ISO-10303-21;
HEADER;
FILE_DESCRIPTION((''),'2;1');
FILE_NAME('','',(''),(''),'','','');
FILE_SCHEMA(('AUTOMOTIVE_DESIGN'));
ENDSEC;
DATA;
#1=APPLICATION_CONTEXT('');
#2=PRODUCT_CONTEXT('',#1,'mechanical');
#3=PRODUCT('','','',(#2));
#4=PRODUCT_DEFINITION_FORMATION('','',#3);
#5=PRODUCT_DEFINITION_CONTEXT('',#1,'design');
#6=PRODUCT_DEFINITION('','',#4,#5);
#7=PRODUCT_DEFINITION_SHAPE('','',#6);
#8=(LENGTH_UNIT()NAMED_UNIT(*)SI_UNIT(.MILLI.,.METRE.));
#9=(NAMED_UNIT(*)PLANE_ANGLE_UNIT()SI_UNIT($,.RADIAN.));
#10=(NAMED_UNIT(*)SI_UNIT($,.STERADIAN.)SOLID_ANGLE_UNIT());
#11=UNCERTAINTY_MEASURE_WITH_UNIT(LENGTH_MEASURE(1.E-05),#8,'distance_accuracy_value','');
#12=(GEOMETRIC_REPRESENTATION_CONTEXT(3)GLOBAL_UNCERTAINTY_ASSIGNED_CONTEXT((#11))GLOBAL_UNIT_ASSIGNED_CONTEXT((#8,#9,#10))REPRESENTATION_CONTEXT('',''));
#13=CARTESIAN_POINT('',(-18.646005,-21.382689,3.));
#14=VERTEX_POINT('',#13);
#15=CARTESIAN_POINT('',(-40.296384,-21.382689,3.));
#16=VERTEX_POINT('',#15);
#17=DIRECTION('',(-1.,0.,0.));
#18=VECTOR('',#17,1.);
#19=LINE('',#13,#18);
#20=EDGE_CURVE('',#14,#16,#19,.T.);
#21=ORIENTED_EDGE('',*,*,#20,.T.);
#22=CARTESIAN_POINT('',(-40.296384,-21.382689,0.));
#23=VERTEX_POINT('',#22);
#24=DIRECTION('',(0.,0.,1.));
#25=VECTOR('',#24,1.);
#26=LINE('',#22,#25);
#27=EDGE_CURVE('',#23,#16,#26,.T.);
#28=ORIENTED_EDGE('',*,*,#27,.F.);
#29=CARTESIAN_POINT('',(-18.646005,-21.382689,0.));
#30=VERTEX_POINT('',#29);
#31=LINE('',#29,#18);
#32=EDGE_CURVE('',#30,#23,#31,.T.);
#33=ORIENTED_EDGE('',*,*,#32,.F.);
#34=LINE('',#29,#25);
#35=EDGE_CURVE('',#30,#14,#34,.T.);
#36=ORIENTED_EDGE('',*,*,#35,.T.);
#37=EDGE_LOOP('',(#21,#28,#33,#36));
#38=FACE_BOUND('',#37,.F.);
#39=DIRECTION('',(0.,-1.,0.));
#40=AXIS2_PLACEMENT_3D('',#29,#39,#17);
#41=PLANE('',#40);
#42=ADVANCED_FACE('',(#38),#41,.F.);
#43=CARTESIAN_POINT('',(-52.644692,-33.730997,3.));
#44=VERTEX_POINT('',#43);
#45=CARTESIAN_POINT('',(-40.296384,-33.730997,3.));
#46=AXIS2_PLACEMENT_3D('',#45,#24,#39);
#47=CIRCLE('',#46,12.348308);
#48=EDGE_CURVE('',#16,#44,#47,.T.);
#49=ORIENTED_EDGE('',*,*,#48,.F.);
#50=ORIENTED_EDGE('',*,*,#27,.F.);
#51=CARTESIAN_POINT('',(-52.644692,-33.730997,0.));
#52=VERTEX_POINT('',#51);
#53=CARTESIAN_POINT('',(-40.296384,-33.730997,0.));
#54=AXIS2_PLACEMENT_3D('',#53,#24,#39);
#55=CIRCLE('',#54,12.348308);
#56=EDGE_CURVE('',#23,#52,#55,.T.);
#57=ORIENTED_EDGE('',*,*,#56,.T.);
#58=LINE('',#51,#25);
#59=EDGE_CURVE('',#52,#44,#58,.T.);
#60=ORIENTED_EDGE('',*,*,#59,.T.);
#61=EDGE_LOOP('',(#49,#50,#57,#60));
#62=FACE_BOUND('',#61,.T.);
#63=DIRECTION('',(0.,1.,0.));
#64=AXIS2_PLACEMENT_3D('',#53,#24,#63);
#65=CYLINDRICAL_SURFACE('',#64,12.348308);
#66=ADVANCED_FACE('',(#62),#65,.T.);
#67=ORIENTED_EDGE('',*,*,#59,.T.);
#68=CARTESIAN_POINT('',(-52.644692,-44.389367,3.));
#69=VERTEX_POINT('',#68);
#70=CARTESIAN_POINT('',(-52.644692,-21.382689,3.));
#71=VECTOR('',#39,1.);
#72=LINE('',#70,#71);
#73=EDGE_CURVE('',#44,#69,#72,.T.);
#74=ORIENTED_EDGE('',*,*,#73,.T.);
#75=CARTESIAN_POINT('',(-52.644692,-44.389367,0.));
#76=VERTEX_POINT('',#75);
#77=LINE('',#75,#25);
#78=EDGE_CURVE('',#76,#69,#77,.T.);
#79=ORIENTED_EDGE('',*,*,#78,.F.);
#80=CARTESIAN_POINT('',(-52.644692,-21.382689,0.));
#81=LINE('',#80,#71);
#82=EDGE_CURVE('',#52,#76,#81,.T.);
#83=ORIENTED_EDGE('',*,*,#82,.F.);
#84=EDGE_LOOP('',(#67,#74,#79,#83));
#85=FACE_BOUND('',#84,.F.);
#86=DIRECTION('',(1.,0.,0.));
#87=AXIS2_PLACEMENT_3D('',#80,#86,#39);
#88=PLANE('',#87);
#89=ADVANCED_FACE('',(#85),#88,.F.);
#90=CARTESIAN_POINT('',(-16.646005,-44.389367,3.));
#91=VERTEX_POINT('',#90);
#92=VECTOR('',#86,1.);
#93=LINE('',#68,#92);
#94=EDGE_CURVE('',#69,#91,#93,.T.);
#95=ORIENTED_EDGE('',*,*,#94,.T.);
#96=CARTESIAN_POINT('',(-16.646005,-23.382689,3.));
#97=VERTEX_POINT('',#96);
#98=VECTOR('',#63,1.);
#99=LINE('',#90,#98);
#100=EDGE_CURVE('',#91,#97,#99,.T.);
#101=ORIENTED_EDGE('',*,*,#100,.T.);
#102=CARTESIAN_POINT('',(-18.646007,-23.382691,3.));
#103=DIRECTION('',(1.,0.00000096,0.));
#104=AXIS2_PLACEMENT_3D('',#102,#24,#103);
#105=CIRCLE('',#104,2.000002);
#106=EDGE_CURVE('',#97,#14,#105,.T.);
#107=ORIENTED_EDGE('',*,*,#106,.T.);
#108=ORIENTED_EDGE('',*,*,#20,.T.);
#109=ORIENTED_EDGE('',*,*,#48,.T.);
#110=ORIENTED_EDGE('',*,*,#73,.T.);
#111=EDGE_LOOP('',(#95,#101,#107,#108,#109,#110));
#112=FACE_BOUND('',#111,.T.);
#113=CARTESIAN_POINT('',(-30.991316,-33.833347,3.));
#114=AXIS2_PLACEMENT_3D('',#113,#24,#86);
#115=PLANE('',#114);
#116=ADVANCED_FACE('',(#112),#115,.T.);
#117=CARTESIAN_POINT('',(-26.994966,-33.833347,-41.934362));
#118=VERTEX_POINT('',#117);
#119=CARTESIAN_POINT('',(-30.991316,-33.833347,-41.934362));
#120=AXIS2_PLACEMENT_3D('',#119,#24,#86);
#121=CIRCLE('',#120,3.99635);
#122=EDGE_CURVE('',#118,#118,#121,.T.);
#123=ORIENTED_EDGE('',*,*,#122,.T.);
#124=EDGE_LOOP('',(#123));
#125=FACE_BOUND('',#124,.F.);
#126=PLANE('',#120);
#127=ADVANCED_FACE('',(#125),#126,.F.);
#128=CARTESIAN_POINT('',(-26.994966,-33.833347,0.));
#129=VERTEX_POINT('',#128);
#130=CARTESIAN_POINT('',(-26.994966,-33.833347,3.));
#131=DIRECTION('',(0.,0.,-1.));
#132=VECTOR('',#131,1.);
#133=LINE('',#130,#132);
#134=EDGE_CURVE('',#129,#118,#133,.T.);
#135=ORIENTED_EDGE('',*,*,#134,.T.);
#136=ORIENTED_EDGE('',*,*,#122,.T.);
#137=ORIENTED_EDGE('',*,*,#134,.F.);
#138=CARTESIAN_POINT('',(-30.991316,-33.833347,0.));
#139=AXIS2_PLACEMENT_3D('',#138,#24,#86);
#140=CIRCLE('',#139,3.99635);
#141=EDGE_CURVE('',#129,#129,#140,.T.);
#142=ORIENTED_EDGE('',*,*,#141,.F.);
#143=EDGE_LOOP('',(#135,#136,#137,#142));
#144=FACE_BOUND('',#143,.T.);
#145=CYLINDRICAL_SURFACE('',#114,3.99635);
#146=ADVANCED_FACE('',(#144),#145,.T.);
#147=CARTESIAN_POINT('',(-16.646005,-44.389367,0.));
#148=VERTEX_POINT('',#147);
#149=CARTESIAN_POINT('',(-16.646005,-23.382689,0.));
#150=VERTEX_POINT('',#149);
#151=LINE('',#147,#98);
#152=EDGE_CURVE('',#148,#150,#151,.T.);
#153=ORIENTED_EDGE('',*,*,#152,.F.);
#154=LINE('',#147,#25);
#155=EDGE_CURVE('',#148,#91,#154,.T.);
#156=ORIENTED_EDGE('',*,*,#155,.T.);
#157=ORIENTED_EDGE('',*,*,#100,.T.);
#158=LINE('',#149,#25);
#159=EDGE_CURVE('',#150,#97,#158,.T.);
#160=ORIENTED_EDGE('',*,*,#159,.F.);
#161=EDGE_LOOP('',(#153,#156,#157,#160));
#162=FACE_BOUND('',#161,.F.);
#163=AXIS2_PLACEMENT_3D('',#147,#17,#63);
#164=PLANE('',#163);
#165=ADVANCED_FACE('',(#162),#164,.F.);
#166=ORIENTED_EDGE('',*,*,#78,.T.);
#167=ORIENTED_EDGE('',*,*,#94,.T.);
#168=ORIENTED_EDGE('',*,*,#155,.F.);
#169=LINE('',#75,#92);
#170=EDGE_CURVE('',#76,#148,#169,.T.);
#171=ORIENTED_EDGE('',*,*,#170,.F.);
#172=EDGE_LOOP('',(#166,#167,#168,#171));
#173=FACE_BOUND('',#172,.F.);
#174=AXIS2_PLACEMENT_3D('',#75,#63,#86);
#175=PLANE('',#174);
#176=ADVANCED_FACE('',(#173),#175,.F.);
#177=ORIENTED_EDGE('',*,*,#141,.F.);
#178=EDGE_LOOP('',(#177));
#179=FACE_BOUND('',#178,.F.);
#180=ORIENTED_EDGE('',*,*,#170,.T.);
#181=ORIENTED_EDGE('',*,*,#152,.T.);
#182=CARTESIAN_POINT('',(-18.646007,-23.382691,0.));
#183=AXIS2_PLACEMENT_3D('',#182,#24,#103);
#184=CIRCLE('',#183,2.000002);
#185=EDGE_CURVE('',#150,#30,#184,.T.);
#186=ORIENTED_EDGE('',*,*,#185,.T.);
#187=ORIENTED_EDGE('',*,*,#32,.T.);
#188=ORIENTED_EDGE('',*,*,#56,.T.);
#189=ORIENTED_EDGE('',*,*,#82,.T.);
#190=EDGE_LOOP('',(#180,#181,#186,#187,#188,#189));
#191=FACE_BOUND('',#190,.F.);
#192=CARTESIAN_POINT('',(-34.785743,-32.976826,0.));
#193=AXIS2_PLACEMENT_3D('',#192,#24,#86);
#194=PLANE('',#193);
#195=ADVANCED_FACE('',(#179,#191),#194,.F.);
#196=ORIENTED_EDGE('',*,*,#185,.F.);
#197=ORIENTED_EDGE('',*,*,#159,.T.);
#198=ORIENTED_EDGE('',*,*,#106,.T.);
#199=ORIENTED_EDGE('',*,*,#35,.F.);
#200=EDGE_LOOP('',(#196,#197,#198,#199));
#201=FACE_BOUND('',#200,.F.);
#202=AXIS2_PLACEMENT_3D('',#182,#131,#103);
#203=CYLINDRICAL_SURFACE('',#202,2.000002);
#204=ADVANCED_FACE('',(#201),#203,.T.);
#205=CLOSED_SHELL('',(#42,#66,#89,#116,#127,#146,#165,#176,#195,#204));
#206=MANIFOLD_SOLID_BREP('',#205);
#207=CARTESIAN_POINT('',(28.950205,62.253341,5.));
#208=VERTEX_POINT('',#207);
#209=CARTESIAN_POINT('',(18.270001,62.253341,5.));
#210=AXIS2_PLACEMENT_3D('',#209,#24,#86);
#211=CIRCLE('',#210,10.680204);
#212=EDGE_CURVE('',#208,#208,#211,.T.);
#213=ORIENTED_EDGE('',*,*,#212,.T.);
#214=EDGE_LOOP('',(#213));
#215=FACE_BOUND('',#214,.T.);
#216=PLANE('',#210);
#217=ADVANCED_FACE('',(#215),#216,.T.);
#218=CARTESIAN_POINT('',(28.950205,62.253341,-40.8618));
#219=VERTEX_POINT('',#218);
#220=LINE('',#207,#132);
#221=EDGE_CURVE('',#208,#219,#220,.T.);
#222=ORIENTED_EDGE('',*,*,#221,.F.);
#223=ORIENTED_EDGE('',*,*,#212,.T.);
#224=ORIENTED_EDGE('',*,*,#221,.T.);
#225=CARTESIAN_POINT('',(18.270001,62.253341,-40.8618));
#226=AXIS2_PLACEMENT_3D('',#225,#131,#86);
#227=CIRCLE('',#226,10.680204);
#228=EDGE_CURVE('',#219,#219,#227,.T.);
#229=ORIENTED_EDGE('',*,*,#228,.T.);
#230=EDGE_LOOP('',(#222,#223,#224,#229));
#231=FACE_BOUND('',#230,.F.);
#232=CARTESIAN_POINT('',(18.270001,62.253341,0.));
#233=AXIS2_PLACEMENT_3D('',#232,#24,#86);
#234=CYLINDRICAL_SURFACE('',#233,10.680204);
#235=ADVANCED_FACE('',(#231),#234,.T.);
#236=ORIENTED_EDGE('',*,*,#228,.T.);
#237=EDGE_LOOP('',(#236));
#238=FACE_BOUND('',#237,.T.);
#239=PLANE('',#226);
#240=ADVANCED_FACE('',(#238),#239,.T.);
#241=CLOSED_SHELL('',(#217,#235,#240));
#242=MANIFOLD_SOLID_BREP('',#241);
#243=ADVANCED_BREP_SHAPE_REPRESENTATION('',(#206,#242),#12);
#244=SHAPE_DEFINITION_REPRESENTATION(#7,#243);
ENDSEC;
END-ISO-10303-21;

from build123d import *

# Parameters (mm, degrees)
F0_R      = 10.680204
F1_DEPTH  = 5
F3_DEPTH  = 3
F4_R      = 12.348308
F5_R      = 3.99635
F6_DEPTH  = 44.934362
F1_FACE_R = 10.680204
F7_DEPTH  = 40.8618


with BuildPart() as f1:
    # F0 (on Top) → F1 (new body)
    with BuildSketch(Plane.XY):
        with Locations((18.270001, 62.253341)):
            Circle(F0_R)
    extrude(amount=F1_DEPTH)

    # F1_face (on face) → F7 (join)
    with BuildSketch(Plane(origin=(18.270001, 62.253341, 0), x_dir=(1, 0, 0), z_dir=(0, 0, -1))):
        Circle(F1_FACE_R)
    extrude(amount=F7_DEPTH)


with BuildPart() as f3:
    # F2 (on Top) → F3 (new body)
    with BuildSketch(Plane.XY):
        with BuildLine():
            ThreePointArc((-16.646005, -23.382689), (-17.231792, -21.968476), (-18.646005, -21.382689))
            Line((-18.646005, -21.382689), (-52.644692, -21.382689))
            Line((-52.644692, -21.382689), (-52.644692, -44.389367))
            Line((-52.644692, -44.389367), (-16.646005, -44.389367))
            Line((-16.646005, -44.389367), (-16.646005, -23.382689))
        make_face()
    extrude(amount=F3_DEPTH)

    # F4
    f4_edges = [f3.edges().sort_by_distance(p)[0] for p in [
        (-52.644692, -21.382689, 1.5),
    ]]
    fillet(f4_edges, radius=F4_R)

    # F5 (on face) → F6 (join)
    with BuildSketch(Plane.XY.offset(3)):
        with Locations((-30.991316, -33.833347)):
            Circle(F5_R)
    extrude(amount=-F6_DEPTH)


solid = Compound([f1.part, f3.part])
